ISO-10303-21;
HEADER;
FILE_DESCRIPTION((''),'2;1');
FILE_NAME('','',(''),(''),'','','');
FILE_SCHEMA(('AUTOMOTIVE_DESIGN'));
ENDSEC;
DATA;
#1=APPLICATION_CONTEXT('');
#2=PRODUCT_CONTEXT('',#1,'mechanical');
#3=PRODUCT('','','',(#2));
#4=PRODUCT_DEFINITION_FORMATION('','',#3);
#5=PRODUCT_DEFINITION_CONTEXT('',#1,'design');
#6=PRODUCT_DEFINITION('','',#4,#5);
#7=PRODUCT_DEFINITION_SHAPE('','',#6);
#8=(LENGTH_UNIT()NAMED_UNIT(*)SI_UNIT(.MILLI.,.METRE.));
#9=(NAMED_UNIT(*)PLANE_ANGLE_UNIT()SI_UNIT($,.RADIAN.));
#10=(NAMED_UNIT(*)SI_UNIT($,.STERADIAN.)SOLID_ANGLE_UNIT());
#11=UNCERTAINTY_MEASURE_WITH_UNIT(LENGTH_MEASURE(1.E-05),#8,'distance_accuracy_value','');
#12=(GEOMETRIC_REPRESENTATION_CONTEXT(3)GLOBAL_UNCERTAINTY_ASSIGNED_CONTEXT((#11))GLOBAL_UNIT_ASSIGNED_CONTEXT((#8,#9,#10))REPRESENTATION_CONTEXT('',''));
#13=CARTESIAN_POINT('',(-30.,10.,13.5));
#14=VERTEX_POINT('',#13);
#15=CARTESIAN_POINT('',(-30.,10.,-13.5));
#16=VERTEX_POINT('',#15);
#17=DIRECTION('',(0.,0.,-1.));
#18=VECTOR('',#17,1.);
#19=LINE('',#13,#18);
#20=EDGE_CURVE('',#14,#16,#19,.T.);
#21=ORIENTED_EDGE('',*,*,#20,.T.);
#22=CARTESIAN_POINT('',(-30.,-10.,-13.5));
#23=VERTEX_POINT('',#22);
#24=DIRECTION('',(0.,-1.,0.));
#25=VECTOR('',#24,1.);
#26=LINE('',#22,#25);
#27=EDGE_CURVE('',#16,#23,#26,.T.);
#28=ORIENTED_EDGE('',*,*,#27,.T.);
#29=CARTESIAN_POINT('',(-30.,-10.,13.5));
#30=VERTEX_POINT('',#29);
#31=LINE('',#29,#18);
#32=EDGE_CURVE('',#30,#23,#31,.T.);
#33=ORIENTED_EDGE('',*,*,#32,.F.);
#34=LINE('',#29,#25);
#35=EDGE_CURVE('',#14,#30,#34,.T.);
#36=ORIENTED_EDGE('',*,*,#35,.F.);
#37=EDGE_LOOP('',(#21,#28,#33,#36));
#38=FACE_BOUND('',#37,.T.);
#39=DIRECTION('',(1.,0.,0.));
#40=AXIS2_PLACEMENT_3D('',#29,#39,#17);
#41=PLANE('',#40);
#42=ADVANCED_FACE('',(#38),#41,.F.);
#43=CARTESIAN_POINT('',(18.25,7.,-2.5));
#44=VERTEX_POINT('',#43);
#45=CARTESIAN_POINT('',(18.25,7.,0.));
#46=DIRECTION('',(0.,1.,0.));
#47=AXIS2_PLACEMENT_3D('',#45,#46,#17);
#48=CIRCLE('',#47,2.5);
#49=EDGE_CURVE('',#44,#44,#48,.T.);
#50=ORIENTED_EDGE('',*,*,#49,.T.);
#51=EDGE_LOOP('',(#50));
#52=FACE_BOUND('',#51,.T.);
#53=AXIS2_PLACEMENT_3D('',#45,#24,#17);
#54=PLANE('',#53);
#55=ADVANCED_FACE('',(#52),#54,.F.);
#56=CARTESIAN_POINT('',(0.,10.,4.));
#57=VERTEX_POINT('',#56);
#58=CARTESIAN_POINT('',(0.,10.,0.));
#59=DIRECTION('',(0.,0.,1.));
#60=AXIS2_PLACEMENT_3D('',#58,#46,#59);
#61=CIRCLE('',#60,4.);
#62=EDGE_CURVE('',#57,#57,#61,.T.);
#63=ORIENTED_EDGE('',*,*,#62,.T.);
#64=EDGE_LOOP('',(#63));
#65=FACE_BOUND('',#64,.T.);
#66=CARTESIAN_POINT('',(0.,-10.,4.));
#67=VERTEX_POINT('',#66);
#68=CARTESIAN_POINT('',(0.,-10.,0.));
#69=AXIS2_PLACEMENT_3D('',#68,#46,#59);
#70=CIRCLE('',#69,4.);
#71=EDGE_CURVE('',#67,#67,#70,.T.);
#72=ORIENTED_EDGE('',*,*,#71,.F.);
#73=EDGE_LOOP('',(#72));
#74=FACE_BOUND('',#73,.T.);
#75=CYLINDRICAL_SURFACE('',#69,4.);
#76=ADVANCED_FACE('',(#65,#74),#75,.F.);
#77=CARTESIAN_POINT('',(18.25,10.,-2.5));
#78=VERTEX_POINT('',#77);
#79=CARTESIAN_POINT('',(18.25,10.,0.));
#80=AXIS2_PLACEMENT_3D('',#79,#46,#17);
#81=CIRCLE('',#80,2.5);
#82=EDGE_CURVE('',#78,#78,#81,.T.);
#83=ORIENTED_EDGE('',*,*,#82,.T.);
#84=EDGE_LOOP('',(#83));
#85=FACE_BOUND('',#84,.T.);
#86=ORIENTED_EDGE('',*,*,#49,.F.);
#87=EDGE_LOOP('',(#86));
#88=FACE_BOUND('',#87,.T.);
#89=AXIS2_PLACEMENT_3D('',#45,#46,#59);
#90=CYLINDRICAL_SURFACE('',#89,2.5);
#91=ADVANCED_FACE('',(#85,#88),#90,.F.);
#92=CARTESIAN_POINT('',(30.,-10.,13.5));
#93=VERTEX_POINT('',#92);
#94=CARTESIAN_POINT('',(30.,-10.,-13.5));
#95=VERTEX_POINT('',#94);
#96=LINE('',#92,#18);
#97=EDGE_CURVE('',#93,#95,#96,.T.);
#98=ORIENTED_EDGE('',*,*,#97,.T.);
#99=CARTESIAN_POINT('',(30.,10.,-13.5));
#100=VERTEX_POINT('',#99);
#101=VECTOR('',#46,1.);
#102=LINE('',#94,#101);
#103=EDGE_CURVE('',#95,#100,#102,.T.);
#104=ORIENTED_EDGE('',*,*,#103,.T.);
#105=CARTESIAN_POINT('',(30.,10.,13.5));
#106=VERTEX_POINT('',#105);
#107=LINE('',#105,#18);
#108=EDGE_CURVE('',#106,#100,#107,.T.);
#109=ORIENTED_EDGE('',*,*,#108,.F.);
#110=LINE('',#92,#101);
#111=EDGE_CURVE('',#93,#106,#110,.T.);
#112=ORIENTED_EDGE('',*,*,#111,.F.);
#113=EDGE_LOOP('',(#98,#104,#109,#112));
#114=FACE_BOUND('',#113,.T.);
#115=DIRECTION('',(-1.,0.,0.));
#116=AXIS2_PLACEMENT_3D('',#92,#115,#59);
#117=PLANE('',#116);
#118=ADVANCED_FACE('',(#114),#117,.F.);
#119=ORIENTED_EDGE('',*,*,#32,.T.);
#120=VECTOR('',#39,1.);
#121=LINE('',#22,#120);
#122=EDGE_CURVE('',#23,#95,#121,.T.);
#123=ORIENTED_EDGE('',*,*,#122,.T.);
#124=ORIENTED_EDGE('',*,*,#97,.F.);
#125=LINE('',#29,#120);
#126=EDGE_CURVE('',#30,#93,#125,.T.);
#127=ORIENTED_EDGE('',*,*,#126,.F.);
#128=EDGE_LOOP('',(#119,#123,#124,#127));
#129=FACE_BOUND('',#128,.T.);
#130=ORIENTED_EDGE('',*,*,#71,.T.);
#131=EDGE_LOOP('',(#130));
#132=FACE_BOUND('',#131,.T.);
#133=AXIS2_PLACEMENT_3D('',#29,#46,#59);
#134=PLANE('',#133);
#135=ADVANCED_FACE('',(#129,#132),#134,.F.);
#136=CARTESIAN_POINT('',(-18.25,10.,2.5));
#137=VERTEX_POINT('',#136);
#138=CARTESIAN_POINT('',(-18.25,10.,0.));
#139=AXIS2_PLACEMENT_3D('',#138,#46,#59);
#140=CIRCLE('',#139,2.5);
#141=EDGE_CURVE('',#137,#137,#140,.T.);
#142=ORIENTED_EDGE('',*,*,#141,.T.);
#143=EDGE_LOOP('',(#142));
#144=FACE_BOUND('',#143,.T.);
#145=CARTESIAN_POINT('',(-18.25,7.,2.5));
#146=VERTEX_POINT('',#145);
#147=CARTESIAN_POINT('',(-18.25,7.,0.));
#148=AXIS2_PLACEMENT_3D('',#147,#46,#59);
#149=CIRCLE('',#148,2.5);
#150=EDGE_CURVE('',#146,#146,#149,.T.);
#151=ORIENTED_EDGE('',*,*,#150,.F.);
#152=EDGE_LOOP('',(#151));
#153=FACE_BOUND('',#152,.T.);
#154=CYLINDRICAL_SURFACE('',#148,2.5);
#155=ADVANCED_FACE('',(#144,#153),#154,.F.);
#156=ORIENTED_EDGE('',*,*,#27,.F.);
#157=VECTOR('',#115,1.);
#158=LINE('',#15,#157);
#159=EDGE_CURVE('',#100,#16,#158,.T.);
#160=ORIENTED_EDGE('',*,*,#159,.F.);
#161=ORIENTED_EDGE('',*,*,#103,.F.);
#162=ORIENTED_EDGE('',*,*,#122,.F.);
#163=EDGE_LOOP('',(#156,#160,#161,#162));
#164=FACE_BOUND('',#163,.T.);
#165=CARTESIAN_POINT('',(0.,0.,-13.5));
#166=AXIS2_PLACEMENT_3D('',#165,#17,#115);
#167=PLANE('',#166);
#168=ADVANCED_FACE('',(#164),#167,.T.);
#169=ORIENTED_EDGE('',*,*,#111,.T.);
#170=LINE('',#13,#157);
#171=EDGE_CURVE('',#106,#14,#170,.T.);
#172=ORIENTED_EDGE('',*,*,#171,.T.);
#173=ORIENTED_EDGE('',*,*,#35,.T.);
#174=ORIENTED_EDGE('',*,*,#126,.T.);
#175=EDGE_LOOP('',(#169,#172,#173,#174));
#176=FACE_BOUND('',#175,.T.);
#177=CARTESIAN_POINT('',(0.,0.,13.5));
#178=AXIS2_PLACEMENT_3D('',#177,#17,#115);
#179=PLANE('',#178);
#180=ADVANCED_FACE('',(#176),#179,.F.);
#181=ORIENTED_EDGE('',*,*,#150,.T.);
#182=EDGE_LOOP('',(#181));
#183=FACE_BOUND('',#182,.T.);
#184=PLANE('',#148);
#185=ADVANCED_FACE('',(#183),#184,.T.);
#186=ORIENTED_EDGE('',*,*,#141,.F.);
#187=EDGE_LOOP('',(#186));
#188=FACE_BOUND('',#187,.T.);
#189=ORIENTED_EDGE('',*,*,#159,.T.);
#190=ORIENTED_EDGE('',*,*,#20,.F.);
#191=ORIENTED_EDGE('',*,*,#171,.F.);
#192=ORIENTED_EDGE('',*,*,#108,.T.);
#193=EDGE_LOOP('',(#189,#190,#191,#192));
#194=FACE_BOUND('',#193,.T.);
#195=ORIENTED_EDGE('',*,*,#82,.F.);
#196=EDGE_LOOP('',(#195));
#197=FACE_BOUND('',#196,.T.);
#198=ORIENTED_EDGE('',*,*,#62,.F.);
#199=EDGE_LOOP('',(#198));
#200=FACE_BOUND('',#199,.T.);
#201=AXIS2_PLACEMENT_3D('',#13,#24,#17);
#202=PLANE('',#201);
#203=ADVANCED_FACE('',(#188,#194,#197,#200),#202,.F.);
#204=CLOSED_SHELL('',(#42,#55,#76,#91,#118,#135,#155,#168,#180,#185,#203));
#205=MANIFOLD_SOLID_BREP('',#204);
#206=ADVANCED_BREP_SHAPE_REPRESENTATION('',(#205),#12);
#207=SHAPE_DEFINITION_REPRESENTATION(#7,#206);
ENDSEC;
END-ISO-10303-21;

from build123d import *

# Parameters (mm, degrees)
SKETCH2_W           = 60
SKETCH2_H           = 20
BOSS_EXTRUDE1_DEPTH = 13.5
SKETCH3_R           = 2.5
CUT_EXTRUDE1_DEPTH  = 3
SKETCH4_R           = 4
CUT_EXTRUDE2_DEPTH  = 39.5


with BuildPart() as part:
    # Sketch2 → Boss-Extrude1 (new, symmetric)
    with BuildSketch(Plane.XY):
        Rectangle(SKETCH2_W, SKETCH2_H)
    extrude(amount=BOSS_EXTRUDE1_DEPTH, both=True)

    # Sketch3 → Cut-Extrude1 (cut)
    with BuildSketch(Plane(origin=(0, 10, 0), x_dir=(1, 0, 0), z_dir=(0, 1, 0))):
        with Locations(Location((-18.25, 0, 0), (0, 0, 270))):
            Circle(SKETCH3_R)
        with Locations(Location((18.25, 0, 0), (0, 0, 90))):
            Circle(SKETCH3_R)
    extrude(amount=-CUT_EXTRUDE1_DEPTH, mode=Mode.SUBTRACT)

    # Sketch4 → Cut-Extrude2 (cut, through all)
    with BuildSketch(Plane(origin=(0, 10, 0), x_dir=(1, 0, 0), z_dir=(0, 1, 0))):
        with Locations(Location((0, 0, 0), (0, 0, 270))):
            Circle(SKETCH4_R)
    extrude(amount=-CUT_EXTRUDE2_DEPTH, mode=Mode.SUBTRACT)


solid = part.part
